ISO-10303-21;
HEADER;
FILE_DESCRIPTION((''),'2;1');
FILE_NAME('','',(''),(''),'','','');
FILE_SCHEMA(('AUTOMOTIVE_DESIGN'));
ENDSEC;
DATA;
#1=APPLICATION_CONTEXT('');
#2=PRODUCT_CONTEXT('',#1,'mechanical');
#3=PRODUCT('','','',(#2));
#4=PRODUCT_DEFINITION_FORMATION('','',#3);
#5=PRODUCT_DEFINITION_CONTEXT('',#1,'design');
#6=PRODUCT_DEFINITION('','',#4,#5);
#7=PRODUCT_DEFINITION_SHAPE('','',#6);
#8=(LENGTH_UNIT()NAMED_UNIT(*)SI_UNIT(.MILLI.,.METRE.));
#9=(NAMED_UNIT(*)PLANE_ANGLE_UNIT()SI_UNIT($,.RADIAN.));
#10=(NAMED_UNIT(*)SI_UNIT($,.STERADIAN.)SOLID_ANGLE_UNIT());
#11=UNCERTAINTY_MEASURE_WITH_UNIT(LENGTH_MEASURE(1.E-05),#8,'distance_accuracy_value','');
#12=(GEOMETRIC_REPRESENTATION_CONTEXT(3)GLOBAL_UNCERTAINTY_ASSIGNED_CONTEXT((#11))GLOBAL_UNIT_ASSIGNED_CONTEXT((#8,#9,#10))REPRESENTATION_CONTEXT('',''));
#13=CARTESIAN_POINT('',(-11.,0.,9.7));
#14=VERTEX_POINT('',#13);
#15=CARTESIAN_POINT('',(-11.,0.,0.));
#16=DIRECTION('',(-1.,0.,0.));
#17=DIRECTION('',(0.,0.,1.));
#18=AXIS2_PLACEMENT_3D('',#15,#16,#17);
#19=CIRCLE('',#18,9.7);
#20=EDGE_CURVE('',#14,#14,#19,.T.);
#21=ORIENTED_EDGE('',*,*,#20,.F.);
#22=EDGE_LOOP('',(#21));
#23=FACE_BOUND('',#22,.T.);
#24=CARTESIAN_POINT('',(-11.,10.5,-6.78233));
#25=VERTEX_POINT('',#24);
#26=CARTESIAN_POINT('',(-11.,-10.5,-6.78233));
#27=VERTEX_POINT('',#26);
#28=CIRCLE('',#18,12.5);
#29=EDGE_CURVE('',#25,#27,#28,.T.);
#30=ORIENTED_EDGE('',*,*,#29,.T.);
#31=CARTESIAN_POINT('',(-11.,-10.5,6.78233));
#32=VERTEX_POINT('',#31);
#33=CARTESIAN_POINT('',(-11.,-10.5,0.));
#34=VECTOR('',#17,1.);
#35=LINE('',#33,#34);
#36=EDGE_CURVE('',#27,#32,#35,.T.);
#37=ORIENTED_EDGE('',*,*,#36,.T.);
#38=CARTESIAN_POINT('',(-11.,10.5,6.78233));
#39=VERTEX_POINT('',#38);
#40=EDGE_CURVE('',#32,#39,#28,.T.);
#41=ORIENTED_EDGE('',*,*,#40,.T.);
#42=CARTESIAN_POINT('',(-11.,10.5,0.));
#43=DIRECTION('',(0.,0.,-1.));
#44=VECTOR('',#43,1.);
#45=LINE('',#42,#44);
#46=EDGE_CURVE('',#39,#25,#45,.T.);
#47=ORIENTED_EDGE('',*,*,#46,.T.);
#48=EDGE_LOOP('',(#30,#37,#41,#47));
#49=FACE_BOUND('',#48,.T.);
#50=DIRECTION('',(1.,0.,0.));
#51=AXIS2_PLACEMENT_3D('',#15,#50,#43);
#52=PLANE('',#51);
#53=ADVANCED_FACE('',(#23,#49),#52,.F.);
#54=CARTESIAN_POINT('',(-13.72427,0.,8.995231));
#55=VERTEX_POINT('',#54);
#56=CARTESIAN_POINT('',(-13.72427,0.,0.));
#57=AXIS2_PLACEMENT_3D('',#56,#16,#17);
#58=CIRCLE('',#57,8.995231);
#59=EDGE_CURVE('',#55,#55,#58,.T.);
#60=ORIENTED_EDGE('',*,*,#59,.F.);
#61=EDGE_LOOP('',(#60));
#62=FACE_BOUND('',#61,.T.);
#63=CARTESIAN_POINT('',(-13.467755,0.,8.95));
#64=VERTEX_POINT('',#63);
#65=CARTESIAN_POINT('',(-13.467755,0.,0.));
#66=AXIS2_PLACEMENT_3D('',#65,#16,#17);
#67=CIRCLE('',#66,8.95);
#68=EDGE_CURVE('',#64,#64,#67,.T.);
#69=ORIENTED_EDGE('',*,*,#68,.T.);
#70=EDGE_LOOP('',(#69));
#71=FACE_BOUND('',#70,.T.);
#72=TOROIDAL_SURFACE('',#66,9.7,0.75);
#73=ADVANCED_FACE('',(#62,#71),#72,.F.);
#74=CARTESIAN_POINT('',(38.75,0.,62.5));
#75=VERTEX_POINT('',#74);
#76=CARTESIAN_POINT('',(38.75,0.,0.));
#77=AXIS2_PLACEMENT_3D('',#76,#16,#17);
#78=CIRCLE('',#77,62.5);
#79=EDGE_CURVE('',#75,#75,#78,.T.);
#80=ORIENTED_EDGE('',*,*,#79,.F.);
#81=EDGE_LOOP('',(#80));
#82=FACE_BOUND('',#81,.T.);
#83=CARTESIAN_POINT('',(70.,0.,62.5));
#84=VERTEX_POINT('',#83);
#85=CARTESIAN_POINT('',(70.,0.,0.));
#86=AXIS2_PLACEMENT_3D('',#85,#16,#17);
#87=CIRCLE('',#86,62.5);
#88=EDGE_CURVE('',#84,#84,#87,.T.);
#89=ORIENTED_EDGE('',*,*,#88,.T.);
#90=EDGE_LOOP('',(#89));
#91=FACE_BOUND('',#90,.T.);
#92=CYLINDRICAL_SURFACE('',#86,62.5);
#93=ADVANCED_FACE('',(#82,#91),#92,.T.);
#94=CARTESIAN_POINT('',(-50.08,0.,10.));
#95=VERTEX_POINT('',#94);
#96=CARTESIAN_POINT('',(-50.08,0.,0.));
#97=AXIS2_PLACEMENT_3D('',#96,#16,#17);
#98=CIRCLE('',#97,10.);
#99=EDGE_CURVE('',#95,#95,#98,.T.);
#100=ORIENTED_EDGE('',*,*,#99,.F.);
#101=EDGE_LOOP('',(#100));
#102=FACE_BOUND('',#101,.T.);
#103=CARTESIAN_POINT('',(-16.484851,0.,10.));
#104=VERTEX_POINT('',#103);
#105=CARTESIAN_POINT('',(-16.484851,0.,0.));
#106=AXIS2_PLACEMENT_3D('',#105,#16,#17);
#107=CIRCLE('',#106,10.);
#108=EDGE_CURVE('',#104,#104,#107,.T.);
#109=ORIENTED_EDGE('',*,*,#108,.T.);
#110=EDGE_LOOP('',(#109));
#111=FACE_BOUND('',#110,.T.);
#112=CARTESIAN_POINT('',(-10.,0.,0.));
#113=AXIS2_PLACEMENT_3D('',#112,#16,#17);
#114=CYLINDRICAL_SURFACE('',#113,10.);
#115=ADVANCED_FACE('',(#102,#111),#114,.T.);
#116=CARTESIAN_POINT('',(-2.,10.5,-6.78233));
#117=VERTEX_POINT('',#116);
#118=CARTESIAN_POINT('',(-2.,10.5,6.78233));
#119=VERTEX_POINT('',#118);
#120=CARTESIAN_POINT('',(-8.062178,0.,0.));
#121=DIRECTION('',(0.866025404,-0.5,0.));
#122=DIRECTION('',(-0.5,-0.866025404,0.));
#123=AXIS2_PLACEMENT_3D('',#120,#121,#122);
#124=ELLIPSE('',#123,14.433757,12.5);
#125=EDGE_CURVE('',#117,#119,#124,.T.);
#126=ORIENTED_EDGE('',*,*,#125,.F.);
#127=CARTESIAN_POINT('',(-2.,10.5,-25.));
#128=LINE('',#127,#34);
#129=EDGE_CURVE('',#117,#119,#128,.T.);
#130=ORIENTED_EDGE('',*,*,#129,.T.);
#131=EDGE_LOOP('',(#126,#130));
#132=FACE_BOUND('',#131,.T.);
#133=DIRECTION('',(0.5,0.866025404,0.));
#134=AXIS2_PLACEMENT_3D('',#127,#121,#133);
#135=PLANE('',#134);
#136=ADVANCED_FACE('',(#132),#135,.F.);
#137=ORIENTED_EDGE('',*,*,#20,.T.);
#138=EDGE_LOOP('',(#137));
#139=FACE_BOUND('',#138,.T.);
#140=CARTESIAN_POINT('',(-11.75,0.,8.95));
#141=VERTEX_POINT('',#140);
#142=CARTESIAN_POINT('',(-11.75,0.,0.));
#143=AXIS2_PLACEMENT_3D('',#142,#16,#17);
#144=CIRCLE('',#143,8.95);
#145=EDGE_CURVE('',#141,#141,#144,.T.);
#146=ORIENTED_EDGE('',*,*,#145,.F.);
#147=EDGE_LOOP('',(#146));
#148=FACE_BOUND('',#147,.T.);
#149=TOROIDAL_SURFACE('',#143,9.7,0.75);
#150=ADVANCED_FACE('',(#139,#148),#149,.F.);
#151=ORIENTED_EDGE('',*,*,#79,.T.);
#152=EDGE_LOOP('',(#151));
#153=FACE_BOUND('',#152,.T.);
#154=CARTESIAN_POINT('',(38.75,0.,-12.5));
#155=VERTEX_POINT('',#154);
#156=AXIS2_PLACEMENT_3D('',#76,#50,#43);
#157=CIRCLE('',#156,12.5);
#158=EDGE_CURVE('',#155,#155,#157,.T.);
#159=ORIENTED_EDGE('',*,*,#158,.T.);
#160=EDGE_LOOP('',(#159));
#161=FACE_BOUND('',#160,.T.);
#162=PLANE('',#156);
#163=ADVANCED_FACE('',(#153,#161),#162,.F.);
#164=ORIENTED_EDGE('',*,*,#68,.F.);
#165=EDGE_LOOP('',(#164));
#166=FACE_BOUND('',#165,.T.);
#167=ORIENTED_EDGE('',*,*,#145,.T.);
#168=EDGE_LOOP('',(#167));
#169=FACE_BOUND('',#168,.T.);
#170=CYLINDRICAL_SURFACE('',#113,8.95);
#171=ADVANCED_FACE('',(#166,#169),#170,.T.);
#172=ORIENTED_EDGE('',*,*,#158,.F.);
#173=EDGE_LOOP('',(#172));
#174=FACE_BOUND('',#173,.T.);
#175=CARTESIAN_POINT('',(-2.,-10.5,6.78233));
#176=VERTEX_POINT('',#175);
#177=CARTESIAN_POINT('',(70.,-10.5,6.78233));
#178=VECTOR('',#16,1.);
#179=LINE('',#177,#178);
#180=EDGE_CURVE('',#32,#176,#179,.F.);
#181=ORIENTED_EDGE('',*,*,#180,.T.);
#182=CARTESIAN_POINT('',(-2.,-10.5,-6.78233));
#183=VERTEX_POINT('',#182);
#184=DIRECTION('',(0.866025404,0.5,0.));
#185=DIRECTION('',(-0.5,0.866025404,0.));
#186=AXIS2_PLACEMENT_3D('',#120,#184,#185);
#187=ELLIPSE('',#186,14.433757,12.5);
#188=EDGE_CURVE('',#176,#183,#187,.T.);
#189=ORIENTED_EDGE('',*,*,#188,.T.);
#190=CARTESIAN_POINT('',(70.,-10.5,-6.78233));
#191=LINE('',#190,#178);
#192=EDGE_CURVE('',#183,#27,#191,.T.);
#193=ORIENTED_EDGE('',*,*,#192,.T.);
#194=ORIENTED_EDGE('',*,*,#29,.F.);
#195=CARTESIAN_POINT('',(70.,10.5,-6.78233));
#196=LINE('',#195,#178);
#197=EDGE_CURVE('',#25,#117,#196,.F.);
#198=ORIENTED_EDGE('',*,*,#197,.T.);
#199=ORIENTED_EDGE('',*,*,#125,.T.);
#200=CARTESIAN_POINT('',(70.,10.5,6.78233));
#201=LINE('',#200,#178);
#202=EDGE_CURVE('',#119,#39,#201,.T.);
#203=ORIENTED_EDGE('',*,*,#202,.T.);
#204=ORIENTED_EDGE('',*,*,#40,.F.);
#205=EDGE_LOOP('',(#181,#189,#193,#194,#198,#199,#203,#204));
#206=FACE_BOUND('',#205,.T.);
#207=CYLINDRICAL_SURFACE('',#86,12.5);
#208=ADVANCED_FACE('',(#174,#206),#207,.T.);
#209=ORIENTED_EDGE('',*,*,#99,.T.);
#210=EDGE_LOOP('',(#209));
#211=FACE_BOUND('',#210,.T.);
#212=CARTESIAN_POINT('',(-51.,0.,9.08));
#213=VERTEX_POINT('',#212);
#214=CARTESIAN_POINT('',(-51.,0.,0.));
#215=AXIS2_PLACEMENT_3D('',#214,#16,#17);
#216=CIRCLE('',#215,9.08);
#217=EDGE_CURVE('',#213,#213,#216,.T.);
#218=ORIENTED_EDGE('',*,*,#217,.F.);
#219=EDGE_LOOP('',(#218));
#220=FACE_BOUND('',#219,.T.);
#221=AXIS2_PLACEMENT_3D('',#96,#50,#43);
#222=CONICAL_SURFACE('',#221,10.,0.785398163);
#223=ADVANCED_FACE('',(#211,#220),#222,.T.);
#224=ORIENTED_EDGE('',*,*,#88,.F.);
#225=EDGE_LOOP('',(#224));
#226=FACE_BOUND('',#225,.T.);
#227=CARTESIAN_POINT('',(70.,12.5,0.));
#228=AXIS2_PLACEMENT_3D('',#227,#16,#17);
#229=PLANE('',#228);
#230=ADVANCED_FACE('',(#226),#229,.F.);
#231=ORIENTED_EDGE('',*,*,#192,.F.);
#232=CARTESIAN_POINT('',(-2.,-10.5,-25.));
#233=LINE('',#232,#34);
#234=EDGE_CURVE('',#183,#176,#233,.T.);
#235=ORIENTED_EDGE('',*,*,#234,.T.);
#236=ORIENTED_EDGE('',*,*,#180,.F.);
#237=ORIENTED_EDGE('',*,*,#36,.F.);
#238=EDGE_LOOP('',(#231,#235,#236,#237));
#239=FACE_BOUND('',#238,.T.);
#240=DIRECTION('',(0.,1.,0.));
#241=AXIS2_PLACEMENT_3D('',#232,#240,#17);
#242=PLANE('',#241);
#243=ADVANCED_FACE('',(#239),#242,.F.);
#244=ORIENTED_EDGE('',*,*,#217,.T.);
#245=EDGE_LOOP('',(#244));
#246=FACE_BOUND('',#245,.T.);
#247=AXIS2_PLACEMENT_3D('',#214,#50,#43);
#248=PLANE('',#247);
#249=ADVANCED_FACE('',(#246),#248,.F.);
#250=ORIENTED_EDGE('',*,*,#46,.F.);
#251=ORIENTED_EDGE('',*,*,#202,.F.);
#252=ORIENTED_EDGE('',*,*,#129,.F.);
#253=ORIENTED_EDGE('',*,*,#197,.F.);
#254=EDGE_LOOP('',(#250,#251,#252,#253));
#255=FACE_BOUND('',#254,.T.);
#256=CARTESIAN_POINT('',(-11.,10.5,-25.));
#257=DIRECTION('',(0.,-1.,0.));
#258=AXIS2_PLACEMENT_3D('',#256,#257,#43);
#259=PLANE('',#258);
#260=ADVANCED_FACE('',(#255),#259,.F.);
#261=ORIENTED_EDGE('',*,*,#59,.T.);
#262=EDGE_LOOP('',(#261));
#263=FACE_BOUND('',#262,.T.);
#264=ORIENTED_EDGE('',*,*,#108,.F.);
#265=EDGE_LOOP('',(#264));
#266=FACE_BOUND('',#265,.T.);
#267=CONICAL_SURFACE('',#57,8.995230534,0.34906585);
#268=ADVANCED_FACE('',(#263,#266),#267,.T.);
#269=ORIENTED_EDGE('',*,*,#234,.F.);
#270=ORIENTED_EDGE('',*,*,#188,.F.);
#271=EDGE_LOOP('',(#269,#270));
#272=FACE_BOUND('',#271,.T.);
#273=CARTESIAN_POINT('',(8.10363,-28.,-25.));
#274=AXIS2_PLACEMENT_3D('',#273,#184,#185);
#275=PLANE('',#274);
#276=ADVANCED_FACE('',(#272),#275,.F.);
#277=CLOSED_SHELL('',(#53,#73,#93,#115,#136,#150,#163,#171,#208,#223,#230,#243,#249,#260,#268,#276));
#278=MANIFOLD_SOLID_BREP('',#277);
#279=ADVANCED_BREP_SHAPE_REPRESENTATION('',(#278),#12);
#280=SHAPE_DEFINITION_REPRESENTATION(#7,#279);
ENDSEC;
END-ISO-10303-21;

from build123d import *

# Parameters (mm, degrees)
SKETCH1_W               = 81
SKETCH1_H               = 12.5
SKETCH2_W               = 31.25
SKETCH2_H               = 62.5
CUT_EXTRUDE1_DEPTH      = 25
CUT_EXTRUDE1_DEPTH_BACK = 25


with BuildPart() as part:
    # Sketch1 → Revolve1 (revolve)
    with BuildSketch(Plane.XY):
        with Locations((29.5, 6.25)):
            Rectangle(SKETCH1_W, SKETCH1_H)
    revolve(axis=Axis((70, 0, 0), (-1, 0, 0)))

    # Sketch2 → Revolve2 (revolve)
    with BuildSketch(Plane.XY):
        with Locations((54.375, 31.25)):
            Rectangle(SKETCH2_W, SKETCH2_H)
    revolve(axis=Axis((70, 0, 0), (-1, 0, 0)))

    # Sketch3 → Revolve3 (revolve)
    with BuildSketch(Plane.XY):
        with BuildLine():
            Line((-51, 0), (-51, 9.08))
            Line((-51, 9.08), (-50.08, 10))
            Line((-50.08, 10), (-16.48485129, 10))
            Line((-16.48485129, 10), (-13.724269872, 8.995230534))
            ThreePointArc((-13.724269872, 8.995230534), (-13.597990898, 8.961394185), (-13.467754764, 8.95))
            Line((-13.467754764, 8.95), (-11.75, 8.95))
            ThreePointArc((-11.75, 8.95), (-11.219669914, 9.169669914), (-11, 9.7))
            Line((-11, 9.7), (-11, 10))
            Line((-11, 10), (-10, 10))
            Line((-10, 10), (-10, 0))
            Line((-10, 0), (-51, 0))
        make_face()
    revolve(axis=Axis((-10, 0, 0), (-1, 0, 0)))

    # Sketch4 → Cut-Extrude1 (cut, two sides: drawn at the far end of the back side and taken through both)
    with BuildSketch(Plane.XY.offset(-CUT_EXTRUDE1_DEPTH_BACK)):
        Polygon((-67, -28), (8.103629711, -28), (-2, -10.5), (-11, -10.5), (-11, -15.5), (-56, -15.5), (-56, 15.5), (-11, 15.5), (-11, 10.5), (-2, 10.5), (8.103629711, 28), (-67, 28), align=None)
    extrude(amount=CUT_EXTRUDE1_DEPTH + CUT_EXTRUDE1_DEPTH_BACK, mode=Mode.SUBTRACT)


solid = part.part
